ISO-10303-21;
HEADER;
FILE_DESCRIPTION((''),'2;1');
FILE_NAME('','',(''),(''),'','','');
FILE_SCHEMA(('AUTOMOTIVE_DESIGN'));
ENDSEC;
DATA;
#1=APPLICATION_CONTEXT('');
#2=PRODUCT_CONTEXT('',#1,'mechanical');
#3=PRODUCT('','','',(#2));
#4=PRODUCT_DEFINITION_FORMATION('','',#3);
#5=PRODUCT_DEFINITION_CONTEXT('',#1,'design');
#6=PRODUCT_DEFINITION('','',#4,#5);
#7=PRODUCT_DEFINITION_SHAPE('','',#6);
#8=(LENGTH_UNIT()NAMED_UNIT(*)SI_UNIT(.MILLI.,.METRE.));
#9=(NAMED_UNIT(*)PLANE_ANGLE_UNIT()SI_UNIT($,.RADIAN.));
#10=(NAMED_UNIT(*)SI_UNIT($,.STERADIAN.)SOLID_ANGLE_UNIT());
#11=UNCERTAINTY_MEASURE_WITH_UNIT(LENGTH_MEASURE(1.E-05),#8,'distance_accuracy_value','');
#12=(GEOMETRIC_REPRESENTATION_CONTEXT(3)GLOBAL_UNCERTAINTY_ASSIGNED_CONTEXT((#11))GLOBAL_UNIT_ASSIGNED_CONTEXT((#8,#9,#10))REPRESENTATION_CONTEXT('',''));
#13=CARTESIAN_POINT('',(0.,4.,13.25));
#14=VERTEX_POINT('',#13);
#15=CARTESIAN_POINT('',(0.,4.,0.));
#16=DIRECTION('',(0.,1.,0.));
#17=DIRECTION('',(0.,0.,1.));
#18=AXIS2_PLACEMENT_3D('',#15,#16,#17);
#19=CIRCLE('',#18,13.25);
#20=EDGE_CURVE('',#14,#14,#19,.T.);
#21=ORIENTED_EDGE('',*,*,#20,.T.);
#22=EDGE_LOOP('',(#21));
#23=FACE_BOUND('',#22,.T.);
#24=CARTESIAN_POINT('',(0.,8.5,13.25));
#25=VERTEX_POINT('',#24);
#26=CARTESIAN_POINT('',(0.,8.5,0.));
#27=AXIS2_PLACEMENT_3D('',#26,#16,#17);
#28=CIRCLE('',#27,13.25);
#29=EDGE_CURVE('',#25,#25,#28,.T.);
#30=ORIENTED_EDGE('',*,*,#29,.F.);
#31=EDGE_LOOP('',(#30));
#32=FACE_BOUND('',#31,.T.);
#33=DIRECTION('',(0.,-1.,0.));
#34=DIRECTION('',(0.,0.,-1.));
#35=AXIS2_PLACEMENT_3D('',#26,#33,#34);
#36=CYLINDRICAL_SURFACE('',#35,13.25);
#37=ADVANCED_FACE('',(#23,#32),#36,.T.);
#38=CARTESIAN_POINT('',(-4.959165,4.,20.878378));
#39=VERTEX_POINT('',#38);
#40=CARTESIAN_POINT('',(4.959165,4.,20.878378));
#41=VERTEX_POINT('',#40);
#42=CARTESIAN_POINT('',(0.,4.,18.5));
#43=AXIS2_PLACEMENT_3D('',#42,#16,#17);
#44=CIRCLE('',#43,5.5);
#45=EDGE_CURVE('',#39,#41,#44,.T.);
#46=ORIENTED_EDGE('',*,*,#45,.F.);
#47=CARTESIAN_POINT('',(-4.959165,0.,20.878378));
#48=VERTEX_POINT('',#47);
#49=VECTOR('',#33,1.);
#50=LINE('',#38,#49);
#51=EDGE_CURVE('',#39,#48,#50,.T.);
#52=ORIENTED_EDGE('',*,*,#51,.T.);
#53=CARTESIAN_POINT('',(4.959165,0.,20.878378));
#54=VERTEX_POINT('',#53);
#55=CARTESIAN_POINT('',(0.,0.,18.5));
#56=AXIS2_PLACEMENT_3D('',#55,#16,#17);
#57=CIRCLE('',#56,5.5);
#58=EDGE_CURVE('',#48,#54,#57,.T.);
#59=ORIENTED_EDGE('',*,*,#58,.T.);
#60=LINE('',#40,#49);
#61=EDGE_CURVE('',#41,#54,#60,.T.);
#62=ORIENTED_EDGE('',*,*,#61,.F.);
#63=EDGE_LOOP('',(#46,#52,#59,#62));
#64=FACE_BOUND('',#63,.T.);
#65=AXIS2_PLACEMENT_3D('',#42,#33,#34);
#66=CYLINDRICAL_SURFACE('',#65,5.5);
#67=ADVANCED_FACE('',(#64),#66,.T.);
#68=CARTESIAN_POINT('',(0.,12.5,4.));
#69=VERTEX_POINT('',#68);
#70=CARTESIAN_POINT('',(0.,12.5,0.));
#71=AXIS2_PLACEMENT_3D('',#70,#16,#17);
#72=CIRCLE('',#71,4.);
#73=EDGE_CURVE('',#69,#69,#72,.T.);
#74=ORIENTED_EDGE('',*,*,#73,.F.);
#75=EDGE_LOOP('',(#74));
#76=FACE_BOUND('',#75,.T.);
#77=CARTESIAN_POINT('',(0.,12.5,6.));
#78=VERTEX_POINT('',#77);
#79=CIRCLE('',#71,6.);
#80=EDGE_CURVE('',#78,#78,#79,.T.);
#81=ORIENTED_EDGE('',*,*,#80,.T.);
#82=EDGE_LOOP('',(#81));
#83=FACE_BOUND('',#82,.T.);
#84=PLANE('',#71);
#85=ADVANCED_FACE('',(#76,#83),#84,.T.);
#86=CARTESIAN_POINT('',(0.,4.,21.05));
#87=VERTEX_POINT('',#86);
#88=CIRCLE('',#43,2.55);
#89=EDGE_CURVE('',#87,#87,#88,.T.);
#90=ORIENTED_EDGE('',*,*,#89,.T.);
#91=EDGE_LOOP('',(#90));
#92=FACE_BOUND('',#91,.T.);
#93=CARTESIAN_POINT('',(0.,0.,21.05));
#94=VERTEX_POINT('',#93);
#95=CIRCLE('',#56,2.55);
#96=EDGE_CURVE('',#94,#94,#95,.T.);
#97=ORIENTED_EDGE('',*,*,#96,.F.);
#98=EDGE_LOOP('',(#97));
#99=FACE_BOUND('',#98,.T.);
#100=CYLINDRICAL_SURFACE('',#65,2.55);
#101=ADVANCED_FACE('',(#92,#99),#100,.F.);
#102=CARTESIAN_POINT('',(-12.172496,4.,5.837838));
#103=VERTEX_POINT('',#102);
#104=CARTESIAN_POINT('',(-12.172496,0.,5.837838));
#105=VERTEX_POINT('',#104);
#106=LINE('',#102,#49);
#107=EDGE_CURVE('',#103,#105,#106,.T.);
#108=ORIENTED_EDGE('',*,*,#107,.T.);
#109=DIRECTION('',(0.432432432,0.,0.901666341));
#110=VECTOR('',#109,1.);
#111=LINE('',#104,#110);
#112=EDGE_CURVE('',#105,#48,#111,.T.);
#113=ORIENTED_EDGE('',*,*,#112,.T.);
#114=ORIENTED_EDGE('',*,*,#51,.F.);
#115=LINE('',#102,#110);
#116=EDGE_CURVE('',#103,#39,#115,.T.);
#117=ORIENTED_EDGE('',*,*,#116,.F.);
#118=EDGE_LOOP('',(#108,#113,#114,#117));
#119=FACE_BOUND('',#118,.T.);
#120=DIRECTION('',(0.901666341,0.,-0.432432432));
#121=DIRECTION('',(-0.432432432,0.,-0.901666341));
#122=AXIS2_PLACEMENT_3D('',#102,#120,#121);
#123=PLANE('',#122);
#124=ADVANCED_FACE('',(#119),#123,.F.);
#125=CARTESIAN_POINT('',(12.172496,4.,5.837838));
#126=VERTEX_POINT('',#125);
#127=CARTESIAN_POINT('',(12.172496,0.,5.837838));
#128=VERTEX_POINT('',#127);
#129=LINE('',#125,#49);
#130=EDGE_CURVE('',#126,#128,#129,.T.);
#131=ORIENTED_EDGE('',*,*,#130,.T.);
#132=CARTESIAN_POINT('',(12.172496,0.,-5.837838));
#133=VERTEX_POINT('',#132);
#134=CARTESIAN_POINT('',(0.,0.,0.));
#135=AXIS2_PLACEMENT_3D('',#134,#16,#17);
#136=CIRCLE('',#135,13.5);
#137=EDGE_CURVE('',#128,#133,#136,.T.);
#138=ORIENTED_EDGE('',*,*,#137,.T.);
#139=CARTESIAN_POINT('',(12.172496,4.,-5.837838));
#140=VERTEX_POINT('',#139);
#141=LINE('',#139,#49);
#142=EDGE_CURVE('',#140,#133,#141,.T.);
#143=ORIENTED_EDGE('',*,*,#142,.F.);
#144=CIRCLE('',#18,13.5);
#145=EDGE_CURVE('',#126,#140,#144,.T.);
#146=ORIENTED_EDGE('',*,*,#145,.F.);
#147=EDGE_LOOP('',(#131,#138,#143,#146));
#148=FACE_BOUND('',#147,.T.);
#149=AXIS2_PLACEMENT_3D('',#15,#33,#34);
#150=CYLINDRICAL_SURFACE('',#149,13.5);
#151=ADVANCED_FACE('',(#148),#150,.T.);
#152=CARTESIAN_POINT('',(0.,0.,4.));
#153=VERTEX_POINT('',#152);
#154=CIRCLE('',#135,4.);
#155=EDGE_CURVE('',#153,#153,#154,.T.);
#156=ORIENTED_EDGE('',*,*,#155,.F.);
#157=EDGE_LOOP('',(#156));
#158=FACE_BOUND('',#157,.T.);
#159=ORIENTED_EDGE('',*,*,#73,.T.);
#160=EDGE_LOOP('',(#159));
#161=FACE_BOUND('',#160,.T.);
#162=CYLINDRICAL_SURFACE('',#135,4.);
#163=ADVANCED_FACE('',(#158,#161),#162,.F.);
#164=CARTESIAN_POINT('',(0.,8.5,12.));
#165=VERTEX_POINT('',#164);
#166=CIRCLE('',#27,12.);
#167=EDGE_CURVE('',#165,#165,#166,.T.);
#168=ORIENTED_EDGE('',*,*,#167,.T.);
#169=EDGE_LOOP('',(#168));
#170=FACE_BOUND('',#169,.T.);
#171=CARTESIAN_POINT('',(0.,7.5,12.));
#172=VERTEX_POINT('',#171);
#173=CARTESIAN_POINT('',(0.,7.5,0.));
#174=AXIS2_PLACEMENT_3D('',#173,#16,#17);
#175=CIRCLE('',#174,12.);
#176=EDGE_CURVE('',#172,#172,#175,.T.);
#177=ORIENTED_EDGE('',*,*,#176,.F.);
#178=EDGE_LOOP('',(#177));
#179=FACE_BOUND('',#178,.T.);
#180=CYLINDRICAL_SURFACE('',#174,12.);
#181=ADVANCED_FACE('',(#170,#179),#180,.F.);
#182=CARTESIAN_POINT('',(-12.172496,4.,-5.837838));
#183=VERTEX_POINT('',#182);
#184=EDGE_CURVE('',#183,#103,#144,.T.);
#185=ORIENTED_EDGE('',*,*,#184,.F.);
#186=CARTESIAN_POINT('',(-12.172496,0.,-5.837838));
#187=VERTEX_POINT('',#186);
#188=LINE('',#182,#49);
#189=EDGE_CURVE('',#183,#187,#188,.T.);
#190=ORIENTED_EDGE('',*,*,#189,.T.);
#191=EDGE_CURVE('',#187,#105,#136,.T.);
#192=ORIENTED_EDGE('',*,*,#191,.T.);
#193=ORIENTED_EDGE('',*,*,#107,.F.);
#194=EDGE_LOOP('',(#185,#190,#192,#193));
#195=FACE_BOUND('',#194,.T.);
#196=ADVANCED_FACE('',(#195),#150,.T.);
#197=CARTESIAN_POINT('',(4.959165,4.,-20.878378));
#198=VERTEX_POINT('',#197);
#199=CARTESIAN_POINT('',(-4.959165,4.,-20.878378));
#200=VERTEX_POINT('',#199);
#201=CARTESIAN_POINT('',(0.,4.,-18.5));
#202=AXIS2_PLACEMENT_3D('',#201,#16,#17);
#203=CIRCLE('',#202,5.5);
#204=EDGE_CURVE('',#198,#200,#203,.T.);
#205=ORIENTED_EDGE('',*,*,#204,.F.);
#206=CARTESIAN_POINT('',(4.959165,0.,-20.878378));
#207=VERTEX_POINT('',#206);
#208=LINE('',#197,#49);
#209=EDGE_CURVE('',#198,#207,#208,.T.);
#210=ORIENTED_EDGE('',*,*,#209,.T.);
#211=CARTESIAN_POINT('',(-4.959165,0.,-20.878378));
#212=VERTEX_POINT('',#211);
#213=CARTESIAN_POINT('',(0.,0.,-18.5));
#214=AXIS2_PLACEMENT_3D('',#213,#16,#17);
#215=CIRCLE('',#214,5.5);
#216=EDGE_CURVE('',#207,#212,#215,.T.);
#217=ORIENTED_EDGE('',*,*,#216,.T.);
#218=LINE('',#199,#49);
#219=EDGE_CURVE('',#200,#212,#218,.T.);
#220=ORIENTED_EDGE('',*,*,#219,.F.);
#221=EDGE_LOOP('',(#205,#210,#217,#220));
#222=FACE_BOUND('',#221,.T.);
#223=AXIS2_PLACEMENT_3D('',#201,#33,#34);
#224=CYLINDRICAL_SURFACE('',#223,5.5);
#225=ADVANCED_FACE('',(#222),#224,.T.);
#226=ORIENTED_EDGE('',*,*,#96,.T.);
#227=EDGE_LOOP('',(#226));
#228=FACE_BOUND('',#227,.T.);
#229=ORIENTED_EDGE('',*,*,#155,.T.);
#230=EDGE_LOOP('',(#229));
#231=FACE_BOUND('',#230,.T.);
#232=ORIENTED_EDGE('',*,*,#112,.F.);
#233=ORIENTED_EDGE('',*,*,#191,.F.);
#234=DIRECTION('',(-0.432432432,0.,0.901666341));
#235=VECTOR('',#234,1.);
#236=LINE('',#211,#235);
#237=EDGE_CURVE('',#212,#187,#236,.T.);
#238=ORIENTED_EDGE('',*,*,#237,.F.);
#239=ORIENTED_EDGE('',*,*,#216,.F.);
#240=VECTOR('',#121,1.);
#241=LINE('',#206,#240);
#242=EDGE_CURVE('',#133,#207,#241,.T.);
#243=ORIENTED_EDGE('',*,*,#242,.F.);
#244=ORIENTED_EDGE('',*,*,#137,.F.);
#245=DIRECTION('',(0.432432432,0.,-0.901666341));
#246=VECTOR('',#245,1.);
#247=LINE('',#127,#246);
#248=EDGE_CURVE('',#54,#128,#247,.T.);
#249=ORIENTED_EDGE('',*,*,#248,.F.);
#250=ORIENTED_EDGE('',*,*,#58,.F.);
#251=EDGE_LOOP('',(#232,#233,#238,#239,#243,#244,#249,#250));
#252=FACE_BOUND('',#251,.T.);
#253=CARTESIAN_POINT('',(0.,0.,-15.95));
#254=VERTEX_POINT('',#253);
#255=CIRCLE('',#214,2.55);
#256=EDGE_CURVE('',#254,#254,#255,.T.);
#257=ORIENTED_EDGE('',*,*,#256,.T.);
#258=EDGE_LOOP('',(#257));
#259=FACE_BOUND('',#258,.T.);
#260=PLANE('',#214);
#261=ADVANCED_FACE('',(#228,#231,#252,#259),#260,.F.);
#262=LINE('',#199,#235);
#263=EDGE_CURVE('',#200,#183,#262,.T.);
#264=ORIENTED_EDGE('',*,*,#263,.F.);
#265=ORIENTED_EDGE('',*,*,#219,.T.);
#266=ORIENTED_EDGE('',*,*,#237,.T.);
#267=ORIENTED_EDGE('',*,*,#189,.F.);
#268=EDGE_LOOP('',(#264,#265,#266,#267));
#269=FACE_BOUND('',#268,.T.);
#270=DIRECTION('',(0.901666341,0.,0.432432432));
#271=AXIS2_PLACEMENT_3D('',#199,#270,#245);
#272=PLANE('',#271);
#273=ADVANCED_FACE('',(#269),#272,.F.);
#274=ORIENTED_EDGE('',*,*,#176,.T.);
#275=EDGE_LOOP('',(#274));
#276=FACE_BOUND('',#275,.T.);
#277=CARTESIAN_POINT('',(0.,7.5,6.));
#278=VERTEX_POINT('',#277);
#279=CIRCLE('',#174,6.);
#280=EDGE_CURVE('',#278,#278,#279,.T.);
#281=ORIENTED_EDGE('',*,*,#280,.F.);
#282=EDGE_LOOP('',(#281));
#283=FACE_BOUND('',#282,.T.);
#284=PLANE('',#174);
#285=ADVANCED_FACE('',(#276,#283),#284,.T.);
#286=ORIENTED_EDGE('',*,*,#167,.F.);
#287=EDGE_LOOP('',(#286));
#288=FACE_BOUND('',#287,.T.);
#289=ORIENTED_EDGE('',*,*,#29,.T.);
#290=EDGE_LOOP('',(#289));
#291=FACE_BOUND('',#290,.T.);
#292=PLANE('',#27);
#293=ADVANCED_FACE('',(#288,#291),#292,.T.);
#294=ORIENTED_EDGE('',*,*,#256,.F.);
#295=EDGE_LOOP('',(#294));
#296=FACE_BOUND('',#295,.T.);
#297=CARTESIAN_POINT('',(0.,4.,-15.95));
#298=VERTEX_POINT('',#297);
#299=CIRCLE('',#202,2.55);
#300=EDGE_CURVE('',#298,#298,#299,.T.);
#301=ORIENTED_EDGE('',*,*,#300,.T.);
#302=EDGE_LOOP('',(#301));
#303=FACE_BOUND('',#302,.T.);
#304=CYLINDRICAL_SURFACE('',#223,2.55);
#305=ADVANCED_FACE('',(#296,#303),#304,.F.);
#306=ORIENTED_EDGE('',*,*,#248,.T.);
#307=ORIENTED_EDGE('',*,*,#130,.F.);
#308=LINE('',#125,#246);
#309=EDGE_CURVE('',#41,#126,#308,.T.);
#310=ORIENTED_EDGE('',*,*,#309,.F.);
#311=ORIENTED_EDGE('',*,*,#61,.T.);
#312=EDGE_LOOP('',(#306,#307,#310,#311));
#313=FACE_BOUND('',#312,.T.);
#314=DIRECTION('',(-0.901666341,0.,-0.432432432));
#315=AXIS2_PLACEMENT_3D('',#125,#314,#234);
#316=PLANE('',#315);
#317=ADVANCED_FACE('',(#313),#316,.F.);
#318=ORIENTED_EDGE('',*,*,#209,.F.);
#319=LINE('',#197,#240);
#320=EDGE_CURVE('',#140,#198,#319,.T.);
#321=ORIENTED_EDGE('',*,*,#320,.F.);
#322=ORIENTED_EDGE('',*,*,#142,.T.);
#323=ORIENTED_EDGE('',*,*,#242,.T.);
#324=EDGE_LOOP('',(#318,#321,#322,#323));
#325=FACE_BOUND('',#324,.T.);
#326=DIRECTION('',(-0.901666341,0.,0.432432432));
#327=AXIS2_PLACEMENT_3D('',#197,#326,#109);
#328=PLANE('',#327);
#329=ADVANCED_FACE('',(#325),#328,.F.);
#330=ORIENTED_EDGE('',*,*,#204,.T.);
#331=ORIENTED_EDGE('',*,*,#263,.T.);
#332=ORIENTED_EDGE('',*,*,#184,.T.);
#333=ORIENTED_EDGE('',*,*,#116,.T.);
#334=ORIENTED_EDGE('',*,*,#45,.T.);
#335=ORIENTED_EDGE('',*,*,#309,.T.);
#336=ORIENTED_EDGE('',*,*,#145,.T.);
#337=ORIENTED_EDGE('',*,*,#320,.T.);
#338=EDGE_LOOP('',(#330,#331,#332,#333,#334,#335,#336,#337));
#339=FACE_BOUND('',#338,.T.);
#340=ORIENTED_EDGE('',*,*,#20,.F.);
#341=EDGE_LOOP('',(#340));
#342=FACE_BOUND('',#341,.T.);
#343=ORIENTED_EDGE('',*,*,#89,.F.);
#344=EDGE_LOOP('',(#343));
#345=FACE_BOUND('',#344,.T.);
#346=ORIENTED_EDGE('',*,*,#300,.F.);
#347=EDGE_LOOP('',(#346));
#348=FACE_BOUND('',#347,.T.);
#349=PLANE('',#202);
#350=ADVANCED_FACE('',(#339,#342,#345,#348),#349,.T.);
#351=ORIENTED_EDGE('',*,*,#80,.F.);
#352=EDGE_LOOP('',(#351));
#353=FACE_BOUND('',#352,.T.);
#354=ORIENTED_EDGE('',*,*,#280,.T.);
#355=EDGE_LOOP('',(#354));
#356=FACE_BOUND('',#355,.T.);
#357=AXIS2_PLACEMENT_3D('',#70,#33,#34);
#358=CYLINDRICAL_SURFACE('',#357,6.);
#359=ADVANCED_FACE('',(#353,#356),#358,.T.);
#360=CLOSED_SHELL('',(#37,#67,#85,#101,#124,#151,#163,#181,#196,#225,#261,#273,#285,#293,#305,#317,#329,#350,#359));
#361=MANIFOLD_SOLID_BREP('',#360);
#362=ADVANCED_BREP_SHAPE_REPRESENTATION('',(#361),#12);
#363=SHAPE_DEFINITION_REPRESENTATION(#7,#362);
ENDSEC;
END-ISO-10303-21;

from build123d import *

# Parameters (mm, degrees)
SKETCH1_R           = 2.55
BOSS_EXTRUDE1_DEPTH = 4
SKETCH2_R           = 13.25
BOSS_EXTRUDE2_DEPTH = 4.5
SKETCH3_R           = 12
CUT_EXTRUDE1_DEPTH  = 1
SKETCH4_R           = 6
BOSS_EXTRUDE3_DEPTH = 5
SKETCH5_R           = 4
CUT_EXTRUDE2_DEPTH  = 31.24070105


with BuildPart() as part:
    # Sketch1 → Boss-Extrude1 (new body)
    with BuildSketch(Plane(origin=(0, 0, 0), x_dir=(1, 0, 0), z_dir=(0, 1, 0))):
        with BuildLine():
            Line((4.959164878, 20.878378378), (12.17249561, 5.837837838))
            ThreePointArc((12.17249561, 5.837837838), (13.5, 0), (12.17249561, -5.837837838))
            Line((12.17249561, -5.837837838), (4.959164878, -20.878378378))
            ThreePointArc((4.959164878, -20.878378378), (0, -24), (-4.959164878, -20.878378378))
            Line((-4.959164878, -20.878378378), (-12.17249561, -5.837837838))
            ThreePointArc((-12.17249561, -5.837837838), (-13.5, 0), (-12.17249561, 5.837837838))
            Line((-12.17249561, 5.837837838), (-4.959164878, 20.878378378))
            ThreePointArc((-4.959164878, 20.878378378), (0, 24), (4.959164878, 20.878378378))
        make_face()
        with Locations(Location((0, 18.5, 0), (0, 0, 270))):
            Circle(SKETCH1_R, mode=Mode.SUBTRACT)
        with Locations(Location((0, -18.5, 0), (0, 0, 270))):
            Circle(SKETCH1_R, mode=Mode.SUBTRACT)
    extrude(amount=BOSS_EXTRUDE1_DEPTH)

    # Sketch2 → Boss-Extrude2 (add)
    with BuildSketch(Plane(origin=(0, 4, 0), x_dir=(1, 0, 0), z_dir=(0, 1, 0))):
        with Locations(Location((0, 0, 0), (0, 0, 270))):
            Circle(SKETCH2_R)
    extrude(amount=BOSS_EXTRUDE2_DEPTH)

    # Sketch3 → Cut-Extrude1 (cut)
    with BuildSketch(Plane(origin=(0, 8.5, 0), x_dir=(1, 0, 0), z_dir=(0, 1, 0))):
        with Locations(Location((0, 0, 0), (0, 0, 270))):
            Circle(SKETCH3_R)
    extrude(amount=-CUT_EXTRUDE1_DEPTH, mode=Mode.SUBTRACT)

    # Sketch4 → Boss-Extrude3 (add)
    with BuildSketch(Plane(origin=(0, 7.5, 0), x_dir=(1, 0, 0), z_dir=(0, 1, 0))):
        with Locations(Location((0, 0, 0), (0, 0, 270))):
            Circle(SKETCH4_R)
    extrude(amount=BOSS_EXTRUDE3_DEPTH)

    # Sketch5 → Cut-Extrude2 (cut, through all)
    with BuildSketch(Plane(origin=(0, 12.5, 0), x_dir=(1, 0, 0), z_dir=(0, 1, 0))):
        with Locations(Location((0, 0, 0), (0, 0, 270))):
            Circle(SKETCH5_R)
    extrude(amount=-CUT_EXTRUDE2_DEPTH, mode=Mode.SUBTRACT)


solid = part.part
